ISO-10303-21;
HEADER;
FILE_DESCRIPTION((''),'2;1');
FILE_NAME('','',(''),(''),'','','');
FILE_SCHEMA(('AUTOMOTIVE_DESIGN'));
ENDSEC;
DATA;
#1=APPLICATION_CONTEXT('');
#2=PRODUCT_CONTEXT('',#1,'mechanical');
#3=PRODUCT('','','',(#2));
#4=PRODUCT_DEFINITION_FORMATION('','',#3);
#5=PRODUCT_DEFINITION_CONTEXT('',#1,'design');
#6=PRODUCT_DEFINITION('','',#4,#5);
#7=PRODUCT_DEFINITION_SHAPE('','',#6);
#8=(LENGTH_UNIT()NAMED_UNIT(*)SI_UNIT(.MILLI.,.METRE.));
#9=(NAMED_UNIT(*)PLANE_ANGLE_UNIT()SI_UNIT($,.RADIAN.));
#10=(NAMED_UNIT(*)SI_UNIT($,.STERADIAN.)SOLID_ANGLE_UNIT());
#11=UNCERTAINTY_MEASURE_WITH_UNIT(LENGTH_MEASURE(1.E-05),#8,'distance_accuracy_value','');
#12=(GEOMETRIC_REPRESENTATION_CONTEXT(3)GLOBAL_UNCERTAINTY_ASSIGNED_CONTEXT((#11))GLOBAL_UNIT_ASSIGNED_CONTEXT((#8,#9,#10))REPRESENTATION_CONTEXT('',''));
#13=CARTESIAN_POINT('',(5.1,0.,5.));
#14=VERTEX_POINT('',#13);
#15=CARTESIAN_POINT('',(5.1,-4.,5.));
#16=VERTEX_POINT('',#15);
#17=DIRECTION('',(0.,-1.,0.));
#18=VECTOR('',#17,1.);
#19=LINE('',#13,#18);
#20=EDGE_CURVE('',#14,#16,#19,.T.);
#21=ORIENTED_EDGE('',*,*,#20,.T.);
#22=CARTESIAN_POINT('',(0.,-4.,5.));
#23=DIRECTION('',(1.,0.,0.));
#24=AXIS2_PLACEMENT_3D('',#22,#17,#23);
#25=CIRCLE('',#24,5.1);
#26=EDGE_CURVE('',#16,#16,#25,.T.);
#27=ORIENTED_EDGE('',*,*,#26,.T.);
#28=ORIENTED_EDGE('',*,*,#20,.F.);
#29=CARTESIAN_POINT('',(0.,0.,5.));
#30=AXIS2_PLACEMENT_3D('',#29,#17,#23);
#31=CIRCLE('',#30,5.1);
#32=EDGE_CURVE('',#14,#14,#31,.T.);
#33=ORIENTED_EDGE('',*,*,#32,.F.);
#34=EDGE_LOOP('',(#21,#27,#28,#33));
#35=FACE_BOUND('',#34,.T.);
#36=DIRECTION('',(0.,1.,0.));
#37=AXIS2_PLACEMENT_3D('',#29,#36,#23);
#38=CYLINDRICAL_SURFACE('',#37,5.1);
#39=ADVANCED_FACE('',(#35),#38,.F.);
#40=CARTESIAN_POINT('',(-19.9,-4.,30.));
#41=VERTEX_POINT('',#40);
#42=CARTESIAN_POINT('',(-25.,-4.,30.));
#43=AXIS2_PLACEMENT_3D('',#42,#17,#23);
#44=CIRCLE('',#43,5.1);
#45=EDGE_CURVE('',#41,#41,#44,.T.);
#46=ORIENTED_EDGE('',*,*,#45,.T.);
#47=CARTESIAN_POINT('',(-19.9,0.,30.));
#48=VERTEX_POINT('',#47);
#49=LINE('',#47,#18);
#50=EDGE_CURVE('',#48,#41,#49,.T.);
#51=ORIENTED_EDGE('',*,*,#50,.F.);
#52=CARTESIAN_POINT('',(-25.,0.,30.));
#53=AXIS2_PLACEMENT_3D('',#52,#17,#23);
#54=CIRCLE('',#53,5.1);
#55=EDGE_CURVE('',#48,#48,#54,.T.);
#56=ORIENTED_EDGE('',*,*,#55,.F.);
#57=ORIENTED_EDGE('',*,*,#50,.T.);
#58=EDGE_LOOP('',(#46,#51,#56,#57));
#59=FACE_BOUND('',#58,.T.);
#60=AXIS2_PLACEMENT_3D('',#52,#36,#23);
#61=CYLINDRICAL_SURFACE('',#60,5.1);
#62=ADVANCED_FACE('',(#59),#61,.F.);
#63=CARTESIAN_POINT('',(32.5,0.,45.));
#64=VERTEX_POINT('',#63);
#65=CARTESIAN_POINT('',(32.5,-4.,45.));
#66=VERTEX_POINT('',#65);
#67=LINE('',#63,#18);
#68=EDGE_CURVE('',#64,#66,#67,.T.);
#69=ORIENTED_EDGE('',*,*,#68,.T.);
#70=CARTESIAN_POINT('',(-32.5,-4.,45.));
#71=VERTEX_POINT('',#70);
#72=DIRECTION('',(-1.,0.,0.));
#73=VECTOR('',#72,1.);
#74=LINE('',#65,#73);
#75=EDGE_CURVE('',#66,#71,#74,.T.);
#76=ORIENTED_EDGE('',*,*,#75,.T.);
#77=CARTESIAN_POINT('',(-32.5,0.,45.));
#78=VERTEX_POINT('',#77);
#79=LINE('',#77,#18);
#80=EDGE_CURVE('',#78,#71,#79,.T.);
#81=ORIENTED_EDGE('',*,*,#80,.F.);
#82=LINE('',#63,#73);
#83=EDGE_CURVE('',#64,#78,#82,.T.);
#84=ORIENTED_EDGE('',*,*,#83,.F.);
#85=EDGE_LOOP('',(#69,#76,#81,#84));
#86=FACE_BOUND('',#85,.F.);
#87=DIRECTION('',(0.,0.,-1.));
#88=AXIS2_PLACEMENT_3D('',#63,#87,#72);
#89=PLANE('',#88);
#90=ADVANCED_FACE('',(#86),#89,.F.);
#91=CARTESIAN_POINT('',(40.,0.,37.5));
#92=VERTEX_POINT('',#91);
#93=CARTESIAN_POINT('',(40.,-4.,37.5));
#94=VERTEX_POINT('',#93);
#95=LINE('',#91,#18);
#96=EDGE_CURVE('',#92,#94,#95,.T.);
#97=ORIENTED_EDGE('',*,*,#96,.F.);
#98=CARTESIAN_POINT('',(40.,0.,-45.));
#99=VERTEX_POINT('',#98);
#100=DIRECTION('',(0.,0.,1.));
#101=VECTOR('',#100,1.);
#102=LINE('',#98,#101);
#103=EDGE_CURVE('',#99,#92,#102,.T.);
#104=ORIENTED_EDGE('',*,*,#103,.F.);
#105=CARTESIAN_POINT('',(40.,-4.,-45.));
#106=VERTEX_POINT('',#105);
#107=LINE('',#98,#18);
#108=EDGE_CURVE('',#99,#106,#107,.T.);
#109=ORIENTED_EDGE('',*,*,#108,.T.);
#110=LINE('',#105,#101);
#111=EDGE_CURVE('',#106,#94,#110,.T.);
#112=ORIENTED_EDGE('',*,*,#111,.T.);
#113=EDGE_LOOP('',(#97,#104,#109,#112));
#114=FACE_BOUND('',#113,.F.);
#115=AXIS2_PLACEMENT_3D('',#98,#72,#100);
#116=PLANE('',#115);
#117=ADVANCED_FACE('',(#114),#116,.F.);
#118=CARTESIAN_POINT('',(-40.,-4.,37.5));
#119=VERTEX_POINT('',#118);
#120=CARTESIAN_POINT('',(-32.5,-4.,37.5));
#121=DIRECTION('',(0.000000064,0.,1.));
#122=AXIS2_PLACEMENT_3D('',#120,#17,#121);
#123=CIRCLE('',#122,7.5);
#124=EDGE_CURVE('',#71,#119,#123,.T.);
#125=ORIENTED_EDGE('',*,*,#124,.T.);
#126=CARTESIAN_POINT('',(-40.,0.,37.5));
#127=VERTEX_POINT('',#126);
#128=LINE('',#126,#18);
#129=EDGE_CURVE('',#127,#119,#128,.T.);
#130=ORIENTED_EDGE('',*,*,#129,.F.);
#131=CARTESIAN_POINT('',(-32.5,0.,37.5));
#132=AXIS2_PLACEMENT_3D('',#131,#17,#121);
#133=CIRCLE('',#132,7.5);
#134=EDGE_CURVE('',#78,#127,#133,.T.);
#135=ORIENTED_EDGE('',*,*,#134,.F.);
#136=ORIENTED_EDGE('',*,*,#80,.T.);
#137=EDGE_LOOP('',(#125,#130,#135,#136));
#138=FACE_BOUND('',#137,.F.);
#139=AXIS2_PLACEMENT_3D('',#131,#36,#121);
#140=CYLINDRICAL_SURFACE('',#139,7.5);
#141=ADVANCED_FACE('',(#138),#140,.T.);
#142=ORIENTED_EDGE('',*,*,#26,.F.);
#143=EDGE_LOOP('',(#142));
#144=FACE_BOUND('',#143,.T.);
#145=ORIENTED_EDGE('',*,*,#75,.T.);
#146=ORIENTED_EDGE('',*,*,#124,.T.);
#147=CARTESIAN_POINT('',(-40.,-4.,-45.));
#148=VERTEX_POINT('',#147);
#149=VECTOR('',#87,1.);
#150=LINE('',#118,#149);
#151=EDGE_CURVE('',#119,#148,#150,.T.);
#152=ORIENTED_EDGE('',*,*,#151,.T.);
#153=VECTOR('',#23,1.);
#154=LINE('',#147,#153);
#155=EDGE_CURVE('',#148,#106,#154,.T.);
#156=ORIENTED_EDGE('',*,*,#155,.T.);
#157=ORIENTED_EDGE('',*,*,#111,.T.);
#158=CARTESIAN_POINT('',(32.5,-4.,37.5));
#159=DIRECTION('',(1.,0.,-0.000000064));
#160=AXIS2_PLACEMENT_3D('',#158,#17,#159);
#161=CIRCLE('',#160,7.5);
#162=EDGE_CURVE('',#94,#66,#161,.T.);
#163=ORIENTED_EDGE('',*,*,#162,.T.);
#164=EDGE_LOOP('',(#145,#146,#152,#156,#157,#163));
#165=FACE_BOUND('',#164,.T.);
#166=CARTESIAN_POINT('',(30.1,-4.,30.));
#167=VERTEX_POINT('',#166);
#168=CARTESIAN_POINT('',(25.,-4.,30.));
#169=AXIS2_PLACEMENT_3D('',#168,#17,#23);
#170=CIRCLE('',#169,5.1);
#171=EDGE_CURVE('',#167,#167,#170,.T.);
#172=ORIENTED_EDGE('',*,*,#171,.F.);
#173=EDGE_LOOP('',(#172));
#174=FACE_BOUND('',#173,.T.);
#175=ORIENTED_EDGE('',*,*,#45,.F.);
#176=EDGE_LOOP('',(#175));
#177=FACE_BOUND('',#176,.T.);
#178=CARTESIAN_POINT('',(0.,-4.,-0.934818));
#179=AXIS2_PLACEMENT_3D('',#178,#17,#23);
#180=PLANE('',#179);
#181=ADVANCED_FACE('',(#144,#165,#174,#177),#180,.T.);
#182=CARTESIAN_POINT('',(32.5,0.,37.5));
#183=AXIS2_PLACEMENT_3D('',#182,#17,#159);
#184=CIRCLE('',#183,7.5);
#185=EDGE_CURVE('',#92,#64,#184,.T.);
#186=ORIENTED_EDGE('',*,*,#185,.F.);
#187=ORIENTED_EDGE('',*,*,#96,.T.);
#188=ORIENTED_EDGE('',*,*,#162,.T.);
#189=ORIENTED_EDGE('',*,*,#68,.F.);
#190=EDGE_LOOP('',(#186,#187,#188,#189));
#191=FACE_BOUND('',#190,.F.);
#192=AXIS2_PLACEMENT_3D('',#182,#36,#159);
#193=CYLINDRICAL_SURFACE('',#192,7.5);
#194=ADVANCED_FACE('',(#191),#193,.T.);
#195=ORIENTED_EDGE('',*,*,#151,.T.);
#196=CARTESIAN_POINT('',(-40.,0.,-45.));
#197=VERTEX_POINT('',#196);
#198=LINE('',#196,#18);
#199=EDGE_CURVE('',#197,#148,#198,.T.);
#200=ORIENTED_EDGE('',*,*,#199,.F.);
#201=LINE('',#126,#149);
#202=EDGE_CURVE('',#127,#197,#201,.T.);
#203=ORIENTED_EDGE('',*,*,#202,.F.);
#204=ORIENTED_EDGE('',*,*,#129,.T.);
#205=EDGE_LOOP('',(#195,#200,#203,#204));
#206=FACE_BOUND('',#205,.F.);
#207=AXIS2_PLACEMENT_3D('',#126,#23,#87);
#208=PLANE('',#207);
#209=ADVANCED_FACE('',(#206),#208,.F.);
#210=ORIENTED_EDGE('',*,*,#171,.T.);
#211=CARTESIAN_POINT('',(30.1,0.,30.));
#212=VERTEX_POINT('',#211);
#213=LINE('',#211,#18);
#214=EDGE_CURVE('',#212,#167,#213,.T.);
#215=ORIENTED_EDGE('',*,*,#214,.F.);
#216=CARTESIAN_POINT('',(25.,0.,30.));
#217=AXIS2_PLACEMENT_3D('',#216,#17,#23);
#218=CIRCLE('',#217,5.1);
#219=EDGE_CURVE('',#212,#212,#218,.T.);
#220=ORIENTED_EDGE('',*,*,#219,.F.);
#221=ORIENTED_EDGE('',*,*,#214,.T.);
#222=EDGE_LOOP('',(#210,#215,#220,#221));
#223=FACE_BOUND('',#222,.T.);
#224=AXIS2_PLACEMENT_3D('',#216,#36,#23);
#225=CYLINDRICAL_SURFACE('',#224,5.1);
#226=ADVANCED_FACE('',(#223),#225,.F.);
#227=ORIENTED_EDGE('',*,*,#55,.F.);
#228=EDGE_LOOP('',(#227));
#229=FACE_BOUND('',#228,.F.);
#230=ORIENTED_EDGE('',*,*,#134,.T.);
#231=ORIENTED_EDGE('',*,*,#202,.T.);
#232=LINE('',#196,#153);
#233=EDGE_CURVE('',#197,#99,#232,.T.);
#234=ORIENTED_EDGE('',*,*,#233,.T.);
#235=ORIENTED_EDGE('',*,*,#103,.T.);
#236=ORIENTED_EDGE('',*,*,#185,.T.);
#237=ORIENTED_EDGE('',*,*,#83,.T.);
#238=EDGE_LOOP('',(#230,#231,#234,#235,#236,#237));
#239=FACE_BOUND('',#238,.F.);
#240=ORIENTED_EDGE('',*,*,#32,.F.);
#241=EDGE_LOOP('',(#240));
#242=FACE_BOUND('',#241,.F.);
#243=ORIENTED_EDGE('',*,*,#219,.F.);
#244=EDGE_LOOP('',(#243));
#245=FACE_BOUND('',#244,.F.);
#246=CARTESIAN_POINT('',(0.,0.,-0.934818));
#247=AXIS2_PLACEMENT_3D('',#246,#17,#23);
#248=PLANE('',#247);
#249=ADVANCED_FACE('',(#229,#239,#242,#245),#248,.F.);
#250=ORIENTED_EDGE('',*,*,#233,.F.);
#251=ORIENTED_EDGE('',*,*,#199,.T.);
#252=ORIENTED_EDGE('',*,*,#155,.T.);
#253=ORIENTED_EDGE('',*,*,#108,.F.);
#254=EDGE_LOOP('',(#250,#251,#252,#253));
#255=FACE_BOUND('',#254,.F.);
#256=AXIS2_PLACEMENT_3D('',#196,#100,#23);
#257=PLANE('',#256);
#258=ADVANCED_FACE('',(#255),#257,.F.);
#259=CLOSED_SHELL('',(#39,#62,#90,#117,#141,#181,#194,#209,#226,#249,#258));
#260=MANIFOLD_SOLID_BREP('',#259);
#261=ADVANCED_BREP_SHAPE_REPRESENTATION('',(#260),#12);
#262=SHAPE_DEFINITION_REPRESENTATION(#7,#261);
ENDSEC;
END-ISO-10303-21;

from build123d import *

# Parameters (mm, degrees)
F0_R     = 5.1
F1_DEPTH = 4


with BuildPart() as f1:
    # F0 (on Front) → F1 (new body)
    with BuildSketch(Plane.XZ):
        with BuildLine():
            ThreePointArc((40, 37.5), (37.803301, 42.803301), (32.5, 45))
            Line((32.5, 45), (-32.5, 45))
            ThreePointArc((-32.5, 45), (-37.803301, 42.803301), (-40, 37.5))
            Line((-40, 37.5), (-40, -45))
            Line((-40, -45), (40, -45))
            Line((40, -45), (40, 37.5))
        make_face()
        with Locations((-25, 30)):
            Circle(F0_R, mode=Mode.SUBTRACT)
        with Locations((0, 5)):
            Circle(F0_R, mode=Mode.SUBTRACT)
        with Locations((25, 30)):
            Circle(F0_R, mode=Mode.SUBTRACT)
    extrude(amount=F1_DEPTH)


solid = f1.part
